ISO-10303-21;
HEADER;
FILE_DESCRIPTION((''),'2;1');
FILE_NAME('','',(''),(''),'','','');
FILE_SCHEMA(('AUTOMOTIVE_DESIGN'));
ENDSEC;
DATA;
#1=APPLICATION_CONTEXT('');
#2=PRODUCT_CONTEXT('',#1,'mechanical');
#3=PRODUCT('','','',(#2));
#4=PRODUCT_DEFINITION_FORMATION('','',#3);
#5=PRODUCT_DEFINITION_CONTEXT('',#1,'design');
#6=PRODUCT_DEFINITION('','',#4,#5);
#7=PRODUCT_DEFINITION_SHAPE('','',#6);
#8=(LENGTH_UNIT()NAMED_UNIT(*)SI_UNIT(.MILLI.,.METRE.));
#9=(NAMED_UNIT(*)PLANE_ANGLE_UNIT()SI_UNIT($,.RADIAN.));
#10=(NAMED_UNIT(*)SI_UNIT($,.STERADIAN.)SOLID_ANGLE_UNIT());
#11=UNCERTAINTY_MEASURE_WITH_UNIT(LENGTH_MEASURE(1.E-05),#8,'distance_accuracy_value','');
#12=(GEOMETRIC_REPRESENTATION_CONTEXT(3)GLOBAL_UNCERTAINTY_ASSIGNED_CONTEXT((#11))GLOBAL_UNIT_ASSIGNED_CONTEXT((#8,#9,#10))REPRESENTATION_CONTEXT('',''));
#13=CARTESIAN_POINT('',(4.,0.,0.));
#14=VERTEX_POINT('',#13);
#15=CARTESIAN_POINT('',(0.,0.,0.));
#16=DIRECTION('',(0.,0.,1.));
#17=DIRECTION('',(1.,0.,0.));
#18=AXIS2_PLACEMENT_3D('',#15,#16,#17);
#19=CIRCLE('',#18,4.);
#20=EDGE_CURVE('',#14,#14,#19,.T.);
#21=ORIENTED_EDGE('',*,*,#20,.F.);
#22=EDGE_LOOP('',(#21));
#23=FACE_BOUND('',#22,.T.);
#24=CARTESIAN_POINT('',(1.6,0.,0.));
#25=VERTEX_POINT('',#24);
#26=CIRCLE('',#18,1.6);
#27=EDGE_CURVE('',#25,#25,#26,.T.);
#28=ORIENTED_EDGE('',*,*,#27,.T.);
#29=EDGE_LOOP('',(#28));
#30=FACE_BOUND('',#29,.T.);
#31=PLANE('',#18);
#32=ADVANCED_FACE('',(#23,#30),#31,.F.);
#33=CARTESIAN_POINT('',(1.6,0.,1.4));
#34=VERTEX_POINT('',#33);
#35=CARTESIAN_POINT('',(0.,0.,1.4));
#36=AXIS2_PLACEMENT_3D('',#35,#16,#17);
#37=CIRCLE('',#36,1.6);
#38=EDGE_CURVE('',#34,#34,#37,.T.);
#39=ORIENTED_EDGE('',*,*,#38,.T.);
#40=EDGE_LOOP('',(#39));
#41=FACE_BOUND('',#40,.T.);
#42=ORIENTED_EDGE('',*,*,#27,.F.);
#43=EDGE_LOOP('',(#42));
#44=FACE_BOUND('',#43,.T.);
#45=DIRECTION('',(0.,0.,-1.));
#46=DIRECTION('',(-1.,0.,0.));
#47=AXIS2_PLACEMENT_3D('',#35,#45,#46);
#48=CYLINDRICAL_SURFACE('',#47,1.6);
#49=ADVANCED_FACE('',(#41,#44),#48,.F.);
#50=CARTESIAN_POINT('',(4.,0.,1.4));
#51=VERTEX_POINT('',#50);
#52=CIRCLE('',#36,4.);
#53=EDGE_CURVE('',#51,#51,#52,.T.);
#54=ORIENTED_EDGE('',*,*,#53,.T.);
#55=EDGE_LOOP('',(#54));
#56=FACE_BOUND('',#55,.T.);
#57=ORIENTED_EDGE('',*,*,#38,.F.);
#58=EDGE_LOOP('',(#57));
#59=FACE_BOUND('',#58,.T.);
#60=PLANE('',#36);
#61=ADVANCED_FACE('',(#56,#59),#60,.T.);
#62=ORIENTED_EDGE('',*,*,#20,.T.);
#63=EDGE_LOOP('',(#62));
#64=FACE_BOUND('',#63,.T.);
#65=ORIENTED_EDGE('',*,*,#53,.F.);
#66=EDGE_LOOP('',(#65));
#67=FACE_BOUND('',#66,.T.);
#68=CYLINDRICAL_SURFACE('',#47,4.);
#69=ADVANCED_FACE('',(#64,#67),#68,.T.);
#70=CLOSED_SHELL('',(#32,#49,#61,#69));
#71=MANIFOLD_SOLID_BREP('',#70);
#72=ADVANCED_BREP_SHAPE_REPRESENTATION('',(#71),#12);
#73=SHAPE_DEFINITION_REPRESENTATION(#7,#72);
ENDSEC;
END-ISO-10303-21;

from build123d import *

# Parameters (mm, degrees)
SKETCH_1_R      = 4
SKETCH_1_R_2    = 1.6
EXTRUDE_1_DEPTH = 1.4


with BuildPart() as part:
    # Эскиз1 → Бобышка-Вытянуть1 (new body)
    with BuildSketch(Plane.XY):
        Circle(SKETCH_1_R)
        Circle(SKETCH_1_R_2, mode=Mode.SUBTRACT)
    extrude(amount=EXTRUDE_1_DEPTH)


solid = part.part
